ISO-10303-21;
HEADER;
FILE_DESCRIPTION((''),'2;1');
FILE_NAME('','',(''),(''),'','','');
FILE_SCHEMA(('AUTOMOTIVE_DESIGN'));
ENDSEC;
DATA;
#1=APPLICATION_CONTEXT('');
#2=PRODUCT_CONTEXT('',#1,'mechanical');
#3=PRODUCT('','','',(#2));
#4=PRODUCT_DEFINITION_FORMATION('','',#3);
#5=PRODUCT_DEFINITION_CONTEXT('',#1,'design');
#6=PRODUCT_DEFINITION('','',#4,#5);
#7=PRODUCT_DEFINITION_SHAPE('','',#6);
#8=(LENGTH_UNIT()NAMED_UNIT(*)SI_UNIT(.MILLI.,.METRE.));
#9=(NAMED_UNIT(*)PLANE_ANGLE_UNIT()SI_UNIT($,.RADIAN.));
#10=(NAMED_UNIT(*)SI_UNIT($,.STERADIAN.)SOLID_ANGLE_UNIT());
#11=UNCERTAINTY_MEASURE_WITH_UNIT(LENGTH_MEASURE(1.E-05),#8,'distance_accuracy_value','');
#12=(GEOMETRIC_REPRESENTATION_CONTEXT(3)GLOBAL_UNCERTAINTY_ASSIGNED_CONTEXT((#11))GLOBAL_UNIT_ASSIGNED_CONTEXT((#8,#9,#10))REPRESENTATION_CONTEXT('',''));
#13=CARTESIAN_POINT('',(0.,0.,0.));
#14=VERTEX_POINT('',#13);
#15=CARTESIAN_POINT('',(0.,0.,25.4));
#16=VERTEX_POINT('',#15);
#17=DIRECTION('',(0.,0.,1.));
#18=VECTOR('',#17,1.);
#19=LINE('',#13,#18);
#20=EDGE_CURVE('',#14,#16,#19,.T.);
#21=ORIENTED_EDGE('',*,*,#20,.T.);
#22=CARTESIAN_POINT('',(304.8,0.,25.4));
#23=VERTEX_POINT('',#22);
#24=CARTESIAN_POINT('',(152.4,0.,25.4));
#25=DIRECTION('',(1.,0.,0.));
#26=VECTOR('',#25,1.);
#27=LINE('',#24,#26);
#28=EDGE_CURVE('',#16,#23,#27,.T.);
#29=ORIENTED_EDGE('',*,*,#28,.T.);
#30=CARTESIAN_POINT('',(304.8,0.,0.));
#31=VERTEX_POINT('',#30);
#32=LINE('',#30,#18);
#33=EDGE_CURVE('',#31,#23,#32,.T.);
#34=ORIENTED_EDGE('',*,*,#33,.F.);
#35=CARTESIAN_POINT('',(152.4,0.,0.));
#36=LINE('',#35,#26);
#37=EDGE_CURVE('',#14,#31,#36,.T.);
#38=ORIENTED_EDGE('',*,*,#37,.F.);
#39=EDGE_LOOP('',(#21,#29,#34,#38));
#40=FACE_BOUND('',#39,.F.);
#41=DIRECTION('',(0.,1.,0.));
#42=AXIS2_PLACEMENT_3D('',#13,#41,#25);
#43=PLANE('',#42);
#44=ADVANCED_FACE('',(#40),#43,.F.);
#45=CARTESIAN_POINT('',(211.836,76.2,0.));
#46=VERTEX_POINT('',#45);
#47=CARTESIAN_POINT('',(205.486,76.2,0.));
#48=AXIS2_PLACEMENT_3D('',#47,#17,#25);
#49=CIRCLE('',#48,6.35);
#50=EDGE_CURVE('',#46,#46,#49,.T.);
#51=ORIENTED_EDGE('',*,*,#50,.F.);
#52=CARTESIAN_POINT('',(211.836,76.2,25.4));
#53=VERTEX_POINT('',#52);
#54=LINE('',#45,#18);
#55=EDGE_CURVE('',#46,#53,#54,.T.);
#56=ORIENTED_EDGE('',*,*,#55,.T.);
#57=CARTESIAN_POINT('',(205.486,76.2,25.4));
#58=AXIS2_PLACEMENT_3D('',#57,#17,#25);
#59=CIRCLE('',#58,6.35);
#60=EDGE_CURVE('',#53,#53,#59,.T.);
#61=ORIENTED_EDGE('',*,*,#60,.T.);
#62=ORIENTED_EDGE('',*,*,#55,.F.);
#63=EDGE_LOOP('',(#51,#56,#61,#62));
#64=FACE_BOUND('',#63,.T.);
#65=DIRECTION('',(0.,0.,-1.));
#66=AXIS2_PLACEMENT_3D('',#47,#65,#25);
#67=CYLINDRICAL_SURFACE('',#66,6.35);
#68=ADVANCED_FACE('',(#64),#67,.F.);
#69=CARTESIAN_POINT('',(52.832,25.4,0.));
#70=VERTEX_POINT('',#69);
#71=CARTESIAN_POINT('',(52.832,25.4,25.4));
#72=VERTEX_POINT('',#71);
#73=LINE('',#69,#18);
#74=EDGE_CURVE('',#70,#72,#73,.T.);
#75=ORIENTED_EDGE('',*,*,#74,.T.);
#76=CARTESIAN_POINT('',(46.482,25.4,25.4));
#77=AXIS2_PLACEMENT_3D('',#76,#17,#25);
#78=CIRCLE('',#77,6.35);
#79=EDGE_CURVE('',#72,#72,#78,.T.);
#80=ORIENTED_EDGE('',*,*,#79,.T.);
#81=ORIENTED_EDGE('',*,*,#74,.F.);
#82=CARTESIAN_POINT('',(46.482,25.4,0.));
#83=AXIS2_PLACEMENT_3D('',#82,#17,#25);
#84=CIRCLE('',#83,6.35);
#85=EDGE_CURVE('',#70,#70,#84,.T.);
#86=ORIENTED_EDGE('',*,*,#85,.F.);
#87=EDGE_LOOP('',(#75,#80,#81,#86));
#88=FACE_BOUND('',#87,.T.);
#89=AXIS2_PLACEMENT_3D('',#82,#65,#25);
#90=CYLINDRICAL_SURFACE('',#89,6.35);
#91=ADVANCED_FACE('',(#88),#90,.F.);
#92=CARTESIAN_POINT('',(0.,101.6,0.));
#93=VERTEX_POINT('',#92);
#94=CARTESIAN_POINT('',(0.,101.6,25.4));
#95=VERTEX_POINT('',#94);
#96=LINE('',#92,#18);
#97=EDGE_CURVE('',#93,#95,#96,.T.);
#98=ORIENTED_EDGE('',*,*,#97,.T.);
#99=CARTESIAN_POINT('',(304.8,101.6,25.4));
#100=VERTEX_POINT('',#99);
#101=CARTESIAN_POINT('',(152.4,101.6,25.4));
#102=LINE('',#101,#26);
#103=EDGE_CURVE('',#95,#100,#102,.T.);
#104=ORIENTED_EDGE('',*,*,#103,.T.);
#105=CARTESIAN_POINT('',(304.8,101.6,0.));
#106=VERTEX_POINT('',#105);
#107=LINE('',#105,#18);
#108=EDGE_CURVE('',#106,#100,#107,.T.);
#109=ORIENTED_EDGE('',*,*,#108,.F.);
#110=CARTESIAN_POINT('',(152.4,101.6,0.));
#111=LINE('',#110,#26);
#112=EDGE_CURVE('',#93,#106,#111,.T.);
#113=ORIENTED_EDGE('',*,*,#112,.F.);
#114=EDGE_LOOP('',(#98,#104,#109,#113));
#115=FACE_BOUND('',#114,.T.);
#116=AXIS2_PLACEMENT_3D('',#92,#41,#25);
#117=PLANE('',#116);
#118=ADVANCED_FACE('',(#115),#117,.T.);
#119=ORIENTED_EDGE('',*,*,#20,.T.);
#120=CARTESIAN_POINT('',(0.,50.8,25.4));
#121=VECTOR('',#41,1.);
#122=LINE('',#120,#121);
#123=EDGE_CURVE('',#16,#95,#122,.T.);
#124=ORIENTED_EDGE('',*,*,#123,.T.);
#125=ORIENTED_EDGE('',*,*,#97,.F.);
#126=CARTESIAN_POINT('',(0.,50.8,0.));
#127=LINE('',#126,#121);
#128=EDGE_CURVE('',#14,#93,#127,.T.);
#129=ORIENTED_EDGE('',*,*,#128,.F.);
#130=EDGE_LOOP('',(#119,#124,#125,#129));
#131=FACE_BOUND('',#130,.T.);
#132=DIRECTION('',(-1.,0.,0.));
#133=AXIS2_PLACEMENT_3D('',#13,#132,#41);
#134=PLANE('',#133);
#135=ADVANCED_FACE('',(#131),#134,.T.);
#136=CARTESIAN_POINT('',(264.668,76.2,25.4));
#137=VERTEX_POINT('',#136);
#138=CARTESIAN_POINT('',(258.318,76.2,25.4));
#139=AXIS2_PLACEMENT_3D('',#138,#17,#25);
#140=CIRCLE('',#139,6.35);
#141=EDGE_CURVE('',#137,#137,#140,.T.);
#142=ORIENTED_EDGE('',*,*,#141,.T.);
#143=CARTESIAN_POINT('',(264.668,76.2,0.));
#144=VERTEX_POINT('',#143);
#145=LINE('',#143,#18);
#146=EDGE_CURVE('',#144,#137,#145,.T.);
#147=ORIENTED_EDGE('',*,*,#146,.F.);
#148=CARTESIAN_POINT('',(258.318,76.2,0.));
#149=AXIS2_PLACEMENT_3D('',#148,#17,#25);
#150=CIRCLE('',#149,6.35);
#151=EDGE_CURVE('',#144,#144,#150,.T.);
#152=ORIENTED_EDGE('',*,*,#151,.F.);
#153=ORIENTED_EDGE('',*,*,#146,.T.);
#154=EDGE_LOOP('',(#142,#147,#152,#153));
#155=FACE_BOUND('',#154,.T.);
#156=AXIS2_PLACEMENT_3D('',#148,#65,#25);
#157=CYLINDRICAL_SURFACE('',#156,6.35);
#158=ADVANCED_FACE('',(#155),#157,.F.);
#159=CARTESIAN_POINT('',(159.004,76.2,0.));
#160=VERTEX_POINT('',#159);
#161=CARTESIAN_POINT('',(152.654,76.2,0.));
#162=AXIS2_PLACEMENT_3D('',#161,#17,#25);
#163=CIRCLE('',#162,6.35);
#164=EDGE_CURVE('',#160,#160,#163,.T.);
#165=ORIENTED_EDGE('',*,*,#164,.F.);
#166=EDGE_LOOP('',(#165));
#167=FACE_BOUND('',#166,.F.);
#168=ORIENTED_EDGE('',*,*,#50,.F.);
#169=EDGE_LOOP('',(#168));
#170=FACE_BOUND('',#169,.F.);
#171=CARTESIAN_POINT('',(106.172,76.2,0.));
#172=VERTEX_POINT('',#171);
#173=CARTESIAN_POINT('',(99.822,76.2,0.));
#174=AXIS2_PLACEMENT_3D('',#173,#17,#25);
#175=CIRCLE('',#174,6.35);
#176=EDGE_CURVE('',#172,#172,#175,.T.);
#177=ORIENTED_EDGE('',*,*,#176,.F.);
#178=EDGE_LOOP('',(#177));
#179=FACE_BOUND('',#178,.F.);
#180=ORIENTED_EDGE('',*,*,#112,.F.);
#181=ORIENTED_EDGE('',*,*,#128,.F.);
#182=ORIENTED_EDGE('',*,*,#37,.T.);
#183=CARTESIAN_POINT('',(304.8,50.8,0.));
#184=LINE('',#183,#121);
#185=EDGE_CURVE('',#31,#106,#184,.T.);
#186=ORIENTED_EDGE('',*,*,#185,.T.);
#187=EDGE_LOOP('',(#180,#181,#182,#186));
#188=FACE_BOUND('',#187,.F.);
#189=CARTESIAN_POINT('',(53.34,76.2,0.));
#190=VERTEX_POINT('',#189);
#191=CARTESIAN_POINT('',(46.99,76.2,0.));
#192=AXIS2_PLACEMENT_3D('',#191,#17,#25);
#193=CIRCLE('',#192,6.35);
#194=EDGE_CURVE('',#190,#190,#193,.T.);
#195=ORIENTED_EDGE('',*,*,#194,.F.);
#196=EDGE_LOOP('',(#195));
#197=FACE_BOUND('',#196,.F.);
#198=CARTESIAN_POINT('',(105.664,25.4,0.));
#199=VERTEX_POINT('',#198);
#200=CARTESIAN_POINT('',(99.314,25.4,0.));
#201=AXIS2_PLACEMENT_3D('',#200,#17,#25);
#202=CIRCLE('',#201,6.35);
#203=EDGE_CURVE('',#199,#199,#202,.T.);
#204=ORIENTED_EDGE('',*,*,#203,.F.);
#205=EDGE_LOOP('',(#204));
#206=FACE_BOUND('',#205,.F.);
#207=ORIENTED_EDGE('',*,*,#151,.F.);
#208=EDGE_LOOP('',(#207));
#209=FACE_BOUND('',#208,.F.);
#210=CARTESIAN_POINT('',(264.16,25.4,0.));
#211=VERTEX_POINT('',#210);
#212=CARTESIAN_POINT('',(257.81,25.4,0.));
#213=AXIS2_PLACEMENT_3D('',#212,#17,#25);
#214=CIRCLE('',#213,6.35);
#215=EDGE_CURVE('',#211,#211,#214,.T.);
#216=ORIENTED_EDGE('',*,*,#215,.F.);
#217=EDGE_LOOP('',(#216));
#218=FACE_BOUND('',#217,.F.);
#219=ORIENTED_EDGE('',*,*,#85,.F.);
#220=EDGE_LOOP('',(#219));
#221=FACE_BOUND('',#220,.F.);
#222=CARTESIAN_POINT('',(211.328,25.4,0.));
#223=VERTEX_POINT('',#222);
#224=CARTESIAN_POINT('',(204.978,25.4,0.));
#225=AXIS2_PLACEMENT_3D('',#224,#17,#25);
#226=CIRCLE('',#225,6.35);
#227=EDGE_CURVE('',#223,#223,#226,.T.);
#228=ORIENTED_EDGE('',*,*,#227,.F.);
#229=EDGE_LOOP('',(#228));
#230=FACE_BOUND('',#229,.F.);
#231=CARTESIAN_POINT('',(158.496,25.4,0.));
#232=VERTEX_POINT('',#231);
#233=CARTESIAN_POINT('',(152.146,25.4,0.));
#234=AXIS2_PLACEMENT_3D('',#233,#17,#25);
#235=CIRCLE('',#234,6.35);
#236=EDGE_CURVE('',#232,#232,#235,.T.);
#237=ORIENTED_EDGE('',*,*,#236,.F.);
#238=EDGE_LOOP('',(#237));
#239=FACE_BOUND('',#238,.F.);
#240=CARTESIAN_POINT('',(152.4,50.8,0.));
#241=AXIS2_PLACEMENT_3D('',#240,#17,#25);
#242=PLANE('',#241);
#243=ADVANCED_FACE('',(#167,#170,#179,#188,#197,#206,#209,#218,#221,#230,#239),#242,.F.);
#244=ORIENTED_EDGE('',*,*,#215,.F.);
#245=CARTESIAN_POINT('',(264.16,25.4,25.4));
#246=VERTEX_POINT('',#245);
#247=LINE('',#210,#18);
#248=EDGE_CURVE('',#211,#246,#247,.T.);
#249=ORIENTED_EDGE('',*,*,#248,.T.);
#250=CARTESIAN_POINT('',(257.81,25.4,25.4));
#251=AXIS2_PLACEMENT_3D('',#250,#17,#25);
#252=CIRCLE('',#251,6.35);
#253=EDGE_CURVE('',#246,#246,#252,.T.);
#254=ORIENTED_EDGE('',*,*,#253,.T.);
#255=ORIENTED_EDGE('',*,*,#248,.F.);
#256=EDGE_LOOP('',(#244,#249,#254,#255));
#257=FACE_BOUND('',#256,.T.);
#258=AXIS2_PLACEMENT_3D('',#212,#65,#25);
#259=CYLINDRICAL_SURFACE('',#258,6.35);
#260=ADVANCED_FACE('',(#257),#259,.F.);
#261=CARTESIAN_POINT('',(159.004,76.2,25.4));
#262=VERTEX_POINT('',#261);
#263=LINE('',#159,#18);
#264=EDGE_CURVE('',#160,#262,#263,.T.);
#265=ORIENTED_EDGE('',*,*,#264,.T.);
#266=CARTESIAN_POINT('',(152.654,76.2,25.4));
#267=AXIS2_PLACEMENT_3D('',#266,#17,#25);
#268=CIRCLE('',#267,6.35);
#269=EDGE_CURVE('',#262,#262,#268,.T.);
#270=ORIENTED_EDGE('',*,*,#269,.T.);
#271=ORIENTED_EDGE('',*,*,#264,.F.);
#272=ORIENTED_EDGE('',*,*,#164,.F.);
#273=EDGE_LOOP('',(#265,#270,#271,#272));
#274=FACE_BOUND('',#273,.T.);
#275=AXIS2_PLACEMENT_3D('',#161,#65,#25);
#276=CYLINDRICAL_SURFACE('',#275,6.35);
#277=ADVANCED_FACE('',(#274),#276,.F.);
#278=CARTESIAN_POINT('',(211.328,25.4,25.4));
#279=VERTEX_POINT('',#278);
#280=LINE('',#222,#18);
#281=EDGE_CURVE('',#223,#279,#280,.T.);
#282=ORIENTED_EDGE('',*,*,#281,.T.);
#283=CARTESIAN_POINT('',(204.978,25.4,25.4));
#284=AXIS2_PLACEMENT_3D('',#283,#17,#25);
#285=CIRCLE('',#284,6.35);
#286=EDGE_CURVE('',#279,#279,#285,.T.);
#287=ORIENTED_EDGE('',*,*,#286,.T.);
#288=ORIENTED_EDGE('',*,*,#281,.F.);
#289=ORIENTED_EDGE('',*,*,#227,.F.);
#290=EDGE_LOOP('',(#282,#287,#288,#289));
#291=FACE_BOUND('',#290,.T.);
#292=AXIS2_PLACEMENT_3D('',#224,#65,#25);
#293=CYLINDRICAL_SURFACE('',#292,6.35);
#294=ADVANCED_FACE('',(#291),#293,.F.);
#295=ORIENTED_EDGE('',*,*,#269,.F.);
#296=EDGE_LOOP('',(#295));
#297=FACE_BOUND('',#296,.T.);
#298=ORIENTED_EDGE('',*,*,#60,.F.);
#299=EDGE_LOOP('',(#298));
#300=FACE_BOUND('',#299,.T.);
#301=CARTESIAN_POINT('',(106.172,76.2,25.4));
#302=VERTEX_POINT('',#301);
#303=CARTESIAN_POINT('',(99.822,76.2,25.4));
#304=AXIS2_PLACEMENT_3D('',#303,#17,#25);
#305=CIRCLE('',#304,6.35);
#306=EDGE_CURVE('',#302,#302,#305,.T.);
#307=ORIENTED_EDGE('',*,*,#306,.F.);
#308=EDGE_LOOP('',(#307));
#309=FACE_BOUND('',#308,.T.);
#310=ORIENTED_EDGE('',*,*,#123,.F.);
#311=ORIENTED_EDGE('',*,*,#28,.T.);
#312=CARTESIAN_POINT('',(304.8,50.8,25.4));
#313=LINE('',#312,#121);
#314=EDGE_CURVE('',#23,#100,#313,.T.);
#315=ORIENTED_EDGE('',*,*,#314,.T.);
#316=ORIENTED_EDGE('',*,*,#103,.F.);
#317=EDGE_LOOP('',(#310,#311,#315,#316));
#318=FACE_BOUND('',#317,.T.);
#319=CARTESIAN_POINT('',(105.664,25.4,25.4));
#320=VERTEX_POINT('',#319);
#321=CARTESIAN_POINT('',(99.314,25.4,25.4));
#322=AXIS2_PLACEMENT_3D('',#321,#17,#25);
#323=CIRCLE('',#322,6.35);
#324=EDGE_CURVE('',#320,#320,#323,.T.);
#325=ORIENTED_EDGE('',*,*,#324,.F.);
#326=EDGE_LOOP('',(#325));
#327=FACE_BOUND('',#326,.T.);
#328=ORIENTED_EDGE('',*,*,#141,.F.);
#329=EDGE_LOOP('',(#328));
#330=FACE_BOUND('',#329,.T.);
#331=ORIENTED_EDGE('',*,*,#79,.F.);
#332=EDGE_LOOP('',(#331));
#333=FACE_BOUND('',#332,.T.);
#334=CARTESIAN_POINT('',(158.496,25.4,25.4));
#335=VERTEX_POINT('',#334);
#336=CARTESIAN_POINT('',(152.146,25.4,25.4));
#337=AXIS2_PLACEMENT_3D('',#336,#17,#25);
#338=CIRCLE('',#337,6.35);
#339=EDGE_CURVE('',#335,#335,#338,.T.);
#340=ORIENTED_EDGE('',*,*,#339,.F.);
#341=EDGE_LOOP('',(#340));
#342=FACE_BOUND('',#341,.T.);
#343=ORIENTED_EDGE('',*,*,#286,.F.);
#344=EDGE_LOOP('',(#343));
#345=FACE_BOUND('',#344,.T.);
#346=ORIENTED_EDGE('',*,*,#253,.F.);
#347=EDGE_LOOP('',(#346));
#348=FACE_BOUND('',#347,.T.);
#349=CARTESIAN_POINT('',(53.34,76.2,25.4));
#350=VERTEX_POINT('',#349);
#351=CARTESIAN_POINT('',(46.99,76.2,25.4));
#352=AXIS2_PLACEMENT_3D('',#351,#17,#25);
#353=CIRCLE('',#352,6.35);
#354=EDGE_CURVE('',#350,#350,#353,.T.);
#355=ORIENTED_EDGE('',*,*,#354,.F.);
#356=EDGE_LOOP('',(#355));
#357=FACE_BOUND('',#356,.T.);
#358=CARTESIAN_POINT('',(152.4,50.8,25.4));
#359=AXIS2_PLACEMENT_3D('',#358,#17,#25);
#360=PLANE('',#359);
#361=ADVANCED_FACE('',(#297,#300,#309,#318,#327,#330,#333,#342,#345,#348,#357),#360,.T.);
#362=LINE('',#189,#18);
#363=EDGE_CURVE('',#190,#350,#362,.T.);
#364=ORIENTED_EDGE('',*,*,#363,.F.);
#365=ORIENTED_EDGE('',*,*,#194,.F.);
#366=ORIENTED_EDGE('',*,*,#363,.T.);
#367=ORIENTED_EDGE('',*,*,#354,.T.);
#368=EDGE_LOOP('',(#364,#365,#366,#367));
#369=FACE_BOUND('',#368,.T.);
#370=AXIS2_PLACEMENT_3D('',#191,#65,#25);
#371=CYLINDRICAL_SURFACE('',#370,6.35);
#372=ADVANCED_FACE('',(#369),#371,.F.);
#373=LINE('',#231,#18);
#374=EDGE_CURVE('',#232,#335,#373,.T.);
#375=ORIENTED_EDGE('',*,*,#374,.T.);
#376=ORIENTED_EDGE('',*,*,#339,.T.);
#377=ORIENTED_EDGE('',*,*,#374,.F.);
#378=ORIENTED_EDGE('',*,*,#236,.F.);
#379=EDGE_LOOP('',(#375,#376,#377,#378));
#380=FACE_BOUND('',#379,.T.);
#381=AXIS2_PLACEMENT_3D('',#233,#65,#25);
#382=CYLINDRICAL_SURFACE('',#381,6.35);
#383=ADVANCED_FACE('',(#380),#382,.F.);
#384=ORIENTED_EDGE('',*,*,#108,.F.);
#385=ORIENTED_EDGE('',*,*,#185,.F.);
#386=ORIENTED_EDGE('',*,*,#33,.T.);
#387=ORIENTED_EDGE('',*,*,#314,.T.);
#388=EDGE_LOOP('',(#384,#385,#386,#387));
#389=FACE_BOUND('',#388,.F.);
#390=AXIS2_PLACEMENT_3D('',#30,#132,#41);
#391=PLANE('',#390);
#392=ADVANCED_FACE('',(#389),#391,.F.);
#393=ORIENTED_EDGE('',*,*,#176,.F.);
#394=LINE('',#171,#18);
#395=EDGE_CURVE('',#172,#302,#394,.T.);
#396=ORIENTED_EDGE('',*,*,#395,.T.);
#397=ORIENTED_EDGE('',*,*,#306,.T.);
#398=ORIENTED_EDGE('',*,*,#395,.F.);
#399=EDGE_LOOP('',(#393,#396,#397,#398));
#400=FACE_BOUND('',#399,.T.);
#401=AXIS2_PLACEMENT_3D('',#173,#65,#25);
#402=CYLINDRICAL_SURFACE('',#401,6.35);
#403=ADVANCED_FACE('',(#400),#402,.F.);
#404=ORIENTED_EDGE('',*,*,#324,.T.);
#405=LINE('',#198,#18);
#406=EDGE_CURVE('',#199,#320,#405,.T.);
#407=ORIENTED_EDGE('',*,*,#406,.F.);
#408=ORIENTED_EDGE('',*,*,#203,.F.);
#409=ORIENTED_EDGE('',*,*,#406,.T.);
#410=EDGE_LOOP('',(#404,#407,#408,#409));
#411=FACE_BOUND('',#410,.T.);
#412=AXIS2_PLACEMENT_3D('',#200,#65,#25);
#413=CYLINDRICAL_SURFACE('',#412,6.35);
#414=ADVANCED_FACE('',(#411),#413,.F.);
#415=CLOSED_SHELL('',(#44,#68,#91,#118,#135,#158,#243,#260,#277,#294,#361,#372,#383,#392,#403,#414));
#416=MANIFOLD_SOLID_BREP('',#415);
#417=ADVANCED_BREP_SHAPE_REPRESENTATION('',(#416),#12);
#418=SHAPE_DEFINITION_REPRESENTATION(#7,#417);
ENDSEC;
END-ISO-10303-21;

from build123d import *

# Parameters (mm, degrees)
F0_W     = 304.8
F0_H     = 101.6
F0_R     = 6.35
F1_DEPTH = 25.4


with BuildPart() as f1:
    # F0 (on Top) → F1 (new body)
    with BuildSketch(Plane.XY):
        with Locations((152.4, 50.8)):
            Rectangle(F0_W, F0_H)
        with Locations((46.482, 25.4)):
            Circle(F0_R, mode=Mode.SUBTRACT)
        with Locations((99.314, 25.4)):
            Circle(F0_R, mode=Mode.SUBTRACT)
        with Locations((152.146, 25.4)):
            Circle(F0_R, mode=Mode.SUBTRACT)
        with Locations((204.978, 25.4)):
            Circle(F0_R, mode=Mode.SUBTRACT)
        with Locations((257.81, 25.4)):
            Circle(F0_R, mode=Mode.SUBTRACT)
        with Locations((46.99, 76.2)):
            Circle(F0_R, mode=Mode.SUBTRACT)
        with Locations((99.822, 76.2)):
            Circle(F0_R, mode=Mode.SUBTRACT)
        with Locations((152.654, 76.2)):
            Circle(F0_R, mode=Mode.SUBTRACT)
        with Locations((205.486, 76.2)):
            Circle(F0_R, mode=Mode.SUBTRACT)
        with Locations((258.318, 76.2)):
            Circle(F0_R, mode=Mode.SUBTRACT)
    extrude(amount=F1_DEPTH)


solid = f1.part
